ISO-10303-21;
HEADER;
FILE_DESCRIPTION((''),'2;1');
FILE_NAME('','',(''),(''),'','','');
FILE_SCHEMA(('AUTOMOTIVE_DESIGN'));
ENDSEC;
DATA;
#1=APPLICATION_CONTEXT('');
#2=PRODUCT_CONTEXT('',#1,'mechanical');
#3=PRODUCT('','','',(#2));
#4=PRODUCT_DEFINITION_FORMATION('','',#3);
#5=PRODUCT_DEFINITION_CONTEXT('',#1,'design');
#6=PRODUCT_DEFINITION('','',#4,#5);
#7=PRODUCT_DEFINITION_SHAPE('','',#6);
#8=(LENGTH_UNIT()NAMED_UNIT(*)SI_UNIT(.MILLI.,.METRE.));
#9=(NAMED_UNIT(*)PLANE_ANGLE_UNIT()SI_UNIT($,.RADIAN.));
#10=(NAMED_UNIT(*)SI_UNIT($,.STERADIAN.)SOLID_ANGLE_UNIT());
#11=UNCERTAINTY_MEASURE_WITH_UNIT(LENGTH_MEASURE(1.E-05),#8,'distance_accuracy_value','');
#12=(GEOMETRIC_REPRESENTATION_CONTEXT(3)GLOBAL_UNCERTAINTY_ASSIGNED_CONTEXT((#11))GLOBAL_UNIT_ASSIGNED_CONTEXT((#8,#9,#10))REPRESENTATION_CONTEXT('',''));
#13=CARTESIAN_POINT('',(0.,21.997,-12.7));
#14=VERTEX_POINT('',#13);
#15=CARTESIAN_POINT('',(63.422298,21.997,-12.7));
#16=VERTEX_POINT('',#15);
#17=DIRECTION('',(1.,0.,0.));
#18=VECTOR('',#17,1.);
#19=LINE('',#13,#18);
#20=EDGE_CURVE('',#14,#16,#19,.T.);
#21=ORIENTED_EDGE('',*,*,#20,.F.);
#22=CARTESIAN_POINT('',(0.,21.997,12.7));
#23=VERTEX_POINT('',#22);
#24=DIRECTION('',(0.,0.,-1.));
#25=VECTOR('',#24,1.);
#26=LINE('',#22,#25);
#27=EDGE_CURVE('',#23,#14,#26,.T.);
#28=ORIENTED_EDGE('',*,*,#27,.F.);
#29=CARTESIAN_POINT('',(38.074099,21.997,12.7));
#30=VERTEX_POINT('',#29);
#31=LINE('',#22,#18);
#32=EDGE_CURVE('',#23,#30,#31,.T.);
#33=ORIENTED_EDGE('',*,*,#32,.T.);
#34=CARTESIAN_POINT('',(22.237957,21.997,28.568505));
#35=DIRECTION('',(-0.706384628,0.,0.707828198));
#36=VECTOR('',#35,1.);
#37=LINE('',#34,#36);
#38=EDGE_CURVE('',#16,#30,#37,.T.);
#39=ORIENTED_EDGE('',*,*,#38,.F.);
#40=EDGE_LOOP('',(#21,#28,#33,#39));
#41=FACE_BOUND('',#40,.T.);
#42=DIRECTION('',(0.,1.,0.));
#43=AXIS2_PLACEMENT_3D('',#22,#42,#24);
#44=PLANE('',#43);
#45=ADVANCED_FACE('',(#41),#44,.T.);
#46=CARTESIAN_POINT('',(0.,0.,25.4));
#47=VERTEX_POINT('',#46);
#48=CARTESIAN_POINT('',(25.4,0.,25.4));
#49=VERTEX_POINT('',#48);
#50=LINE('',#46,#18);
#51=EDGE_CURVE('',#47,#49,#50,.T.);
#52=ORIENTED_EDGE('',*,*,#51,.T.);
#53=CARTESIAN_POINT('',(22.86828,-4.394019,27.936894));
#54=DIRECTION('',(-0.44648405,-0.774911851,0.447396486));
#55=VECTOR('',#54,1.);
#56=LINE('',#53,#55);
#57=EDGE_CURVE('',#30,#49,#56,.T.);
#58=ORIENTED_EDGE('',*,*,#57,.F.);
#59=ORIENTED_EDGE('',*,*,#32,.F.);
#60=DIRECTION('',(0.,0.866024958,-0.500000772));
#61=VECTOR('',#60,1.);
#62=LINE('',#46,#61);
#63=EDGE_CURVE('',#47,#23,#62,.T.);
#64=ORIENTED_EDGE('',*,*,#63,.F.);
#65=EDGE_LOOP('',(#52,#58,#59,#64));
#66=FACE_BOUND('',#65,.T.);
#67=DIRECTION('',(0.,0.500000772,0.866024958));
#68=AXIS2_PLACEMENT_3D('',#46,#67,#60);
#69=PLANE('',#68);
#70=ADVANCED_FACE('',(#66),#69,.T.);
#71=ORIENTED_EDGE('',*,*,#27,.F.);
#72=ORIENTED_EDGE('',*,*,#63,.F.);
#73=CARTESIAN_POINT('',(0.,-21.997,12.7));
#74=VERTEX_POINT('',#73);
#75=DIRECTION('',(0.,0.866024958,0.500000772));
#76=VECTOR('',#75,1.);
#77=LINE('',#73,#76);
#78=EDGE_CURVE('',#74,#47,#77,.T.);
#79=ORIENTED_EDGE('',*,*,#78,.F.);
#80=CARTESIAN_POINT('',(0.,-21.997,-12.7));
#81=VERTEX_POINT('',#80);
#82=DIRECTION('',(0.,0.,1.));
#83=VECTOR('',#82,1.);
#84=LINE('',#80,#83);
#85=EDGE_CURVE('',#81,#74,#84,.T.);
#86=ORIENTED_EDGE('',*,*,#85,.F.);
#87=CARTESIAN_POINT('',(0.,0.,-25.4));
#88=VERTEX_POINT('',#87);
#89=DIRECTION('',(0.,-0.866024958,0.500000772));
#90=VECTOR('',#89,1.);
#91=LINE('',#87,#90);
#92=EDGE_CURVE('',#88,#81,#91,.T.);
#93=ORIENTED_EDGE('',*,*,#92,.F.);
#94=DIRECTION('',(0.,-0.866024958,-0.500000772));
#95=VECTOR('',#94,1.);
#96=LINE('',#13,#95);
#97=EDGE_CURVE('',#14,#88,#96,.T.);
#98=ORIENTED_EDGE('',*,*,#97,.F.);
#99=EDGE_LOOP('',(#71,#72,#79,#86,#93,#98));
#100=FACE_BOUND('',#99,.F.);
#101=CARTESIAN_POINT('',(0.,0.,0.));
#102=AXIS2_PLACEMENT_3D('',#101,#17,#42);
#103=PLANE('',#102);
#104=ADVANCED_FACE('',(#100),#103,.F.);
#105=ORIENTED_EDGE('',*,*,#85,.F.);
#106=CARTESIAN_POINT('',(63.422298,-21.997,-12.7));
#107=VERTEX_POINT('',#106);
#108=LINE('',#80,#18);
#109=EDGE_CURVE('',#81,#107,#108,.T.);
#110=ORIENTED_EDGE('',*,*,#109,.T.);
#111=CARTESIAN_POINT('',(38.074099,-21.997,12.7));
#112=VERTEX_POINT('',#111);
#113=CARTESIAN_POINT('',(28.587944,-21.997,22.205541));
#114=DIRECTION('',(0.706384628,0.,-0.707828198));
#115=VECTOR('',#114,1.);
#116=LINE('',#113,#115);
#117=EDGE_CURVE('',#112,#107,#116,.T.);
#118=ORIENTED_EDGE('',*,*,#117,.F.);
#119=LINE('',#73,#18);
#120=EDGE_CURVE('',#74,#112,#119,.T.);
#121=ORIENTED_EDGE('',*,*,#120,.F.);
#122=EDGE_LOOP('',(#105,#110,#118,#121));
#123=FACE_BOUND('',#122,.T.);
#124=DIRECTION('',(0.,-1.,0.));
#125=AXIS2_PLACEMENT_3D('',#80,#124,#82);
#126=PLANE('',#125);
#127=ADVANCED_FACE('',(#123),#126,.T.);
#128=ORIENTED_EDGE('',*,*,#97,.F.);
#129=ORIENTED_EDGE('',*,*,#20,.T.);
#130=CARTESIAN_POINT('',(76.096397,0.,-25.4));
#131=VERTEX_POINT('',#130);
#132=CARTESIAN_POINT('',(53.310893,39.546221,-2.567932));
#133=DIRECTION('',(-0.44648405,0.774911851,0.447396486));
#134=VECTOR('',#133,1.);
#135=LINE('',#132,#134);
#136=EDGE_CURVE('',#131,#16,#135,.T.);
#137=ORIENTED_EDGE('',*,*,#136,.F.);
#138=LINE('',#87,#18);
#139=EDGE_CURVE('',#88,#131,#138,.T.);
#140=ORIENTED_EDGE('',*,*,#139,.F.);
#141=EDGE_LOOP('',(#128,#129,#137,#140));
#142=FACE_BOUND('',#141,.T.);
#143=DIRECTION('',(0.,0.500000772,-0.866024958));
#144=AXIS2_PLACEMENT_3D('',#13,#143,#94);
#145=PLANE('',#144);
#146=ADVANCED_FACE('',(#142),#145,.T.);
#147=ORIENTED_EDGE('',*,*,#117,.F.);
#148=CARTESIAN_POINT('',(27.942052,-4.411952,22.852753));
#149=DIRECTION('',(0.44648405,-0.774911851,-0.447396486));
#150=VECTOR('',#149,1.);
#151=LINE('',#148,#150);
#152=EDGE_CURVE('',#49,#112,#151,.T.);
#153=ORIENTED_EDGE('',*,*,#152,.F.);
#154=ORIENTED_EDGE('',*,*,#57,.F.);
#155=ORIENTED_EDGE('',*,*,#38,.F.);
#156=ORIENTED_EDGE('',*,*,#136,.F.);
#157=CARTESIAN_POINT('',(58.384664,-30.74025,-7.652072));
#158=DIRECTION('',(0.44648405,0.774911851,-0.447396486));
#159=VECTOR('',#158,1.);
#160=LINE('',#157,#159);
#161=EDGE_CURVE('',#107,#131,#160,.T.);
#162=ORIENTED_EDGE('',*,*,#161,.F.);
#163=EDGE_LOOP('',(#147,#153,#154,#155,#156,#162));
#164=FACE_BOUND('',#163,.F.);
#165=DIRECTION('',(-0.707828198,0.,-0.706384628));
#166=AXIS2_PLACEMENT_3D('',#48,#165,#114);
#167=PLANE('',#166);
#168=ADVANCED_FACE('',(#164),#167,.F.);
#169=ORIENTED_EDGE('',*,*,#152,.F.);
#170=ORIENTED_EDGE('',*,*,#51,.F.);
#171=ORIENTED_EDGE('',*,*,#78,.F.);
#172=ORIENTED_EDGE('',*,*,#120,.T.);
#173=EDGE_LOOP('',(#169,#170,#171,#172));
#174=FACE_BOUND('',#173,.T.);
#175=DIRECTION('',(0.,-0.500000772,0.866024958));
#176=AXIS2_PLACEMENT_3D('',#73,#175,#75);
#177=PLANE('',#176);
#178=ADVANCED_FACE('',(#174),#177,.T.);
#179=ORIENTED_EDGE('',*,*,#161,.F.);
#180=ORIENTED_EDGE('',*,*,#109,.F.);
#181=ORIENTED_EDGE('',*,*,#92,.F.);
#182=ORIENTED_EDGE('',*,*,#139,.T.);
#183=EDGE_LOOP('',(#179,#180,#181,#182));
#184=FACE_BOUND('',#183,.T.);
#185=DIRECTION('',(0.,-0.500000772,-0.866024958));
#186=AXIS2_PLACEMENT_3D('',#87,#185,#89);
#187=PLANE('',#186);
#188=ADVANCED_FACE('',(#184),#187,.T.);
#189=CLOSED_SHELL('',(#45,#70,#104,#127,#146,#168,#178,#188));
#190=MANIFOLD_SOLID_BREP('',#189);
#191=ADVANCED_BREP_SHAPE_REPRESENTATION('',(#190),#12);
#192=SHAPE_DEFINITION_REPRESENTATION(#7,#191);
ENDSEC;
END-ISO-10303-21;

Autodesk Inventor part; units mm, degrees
ref_plane "YZ Plane" through (0, 0, 0) normal (1, 0, 0) x (0, 1, 0)
ref_plane "XZ Plane" through (0, 0, 0) normal (0, 1, 0) x (-1, 0, 0)
ref_plane "XY Plane" through (0, 0, 0) normal (0, 0, 1) x (1, 0, 0)
sketch "Sketch1" plane through (0, 0, 0) normal (1, 0, 0) x (0, 1, 0)
  circle A0 centre (0, 0) radius 25.4
  line L0 (0, -25.4) -> (-21.997, -12.7)
  line L1 (-21.997, -12.7) -> (-21.997, 12.7)
  line L2 (-21.997, 12.7) -> (0, 25.4)
  line L3 (0, 25.4) -> (21.997, 12.7)
  line L4 (21.997, 12.7) -> (21.997, -12.7)
  line L5 (21.997, -12.7) -> (0, -25.4)
  dimension "d0" = 50.8
extrude "Extrusion1" add sketch "Sketch1" along normal blind 76.2 contours L4 L5 L0 L1 L2 L3
sketch "Sketch2" plane through (0, 0, 0) normal (0, 1, 0) x (-1, 0, 0)
  line L0 (0, 25.4259) -> (-25.4, 25.4)
  line L1 (0, 25.4) -> (-76.2, 25.4) projected
  line L2 (-25.4, 25.4) -> (-79.2265, -28.5365)
  line L3 (-79.2265, -28.5365) -> (-79.2893, 33.005)
  line L4 (-79.2893, 33.005) -> (-25.4, 25.4)
  point P0 (0, 0)
  dimension "d3" = 25.4
  dimension "d4" = 76.2
  dimension "d5" = 135
extrude "Extrusion2" cut sketch "Sketch2" along normal mid plane 76.2
